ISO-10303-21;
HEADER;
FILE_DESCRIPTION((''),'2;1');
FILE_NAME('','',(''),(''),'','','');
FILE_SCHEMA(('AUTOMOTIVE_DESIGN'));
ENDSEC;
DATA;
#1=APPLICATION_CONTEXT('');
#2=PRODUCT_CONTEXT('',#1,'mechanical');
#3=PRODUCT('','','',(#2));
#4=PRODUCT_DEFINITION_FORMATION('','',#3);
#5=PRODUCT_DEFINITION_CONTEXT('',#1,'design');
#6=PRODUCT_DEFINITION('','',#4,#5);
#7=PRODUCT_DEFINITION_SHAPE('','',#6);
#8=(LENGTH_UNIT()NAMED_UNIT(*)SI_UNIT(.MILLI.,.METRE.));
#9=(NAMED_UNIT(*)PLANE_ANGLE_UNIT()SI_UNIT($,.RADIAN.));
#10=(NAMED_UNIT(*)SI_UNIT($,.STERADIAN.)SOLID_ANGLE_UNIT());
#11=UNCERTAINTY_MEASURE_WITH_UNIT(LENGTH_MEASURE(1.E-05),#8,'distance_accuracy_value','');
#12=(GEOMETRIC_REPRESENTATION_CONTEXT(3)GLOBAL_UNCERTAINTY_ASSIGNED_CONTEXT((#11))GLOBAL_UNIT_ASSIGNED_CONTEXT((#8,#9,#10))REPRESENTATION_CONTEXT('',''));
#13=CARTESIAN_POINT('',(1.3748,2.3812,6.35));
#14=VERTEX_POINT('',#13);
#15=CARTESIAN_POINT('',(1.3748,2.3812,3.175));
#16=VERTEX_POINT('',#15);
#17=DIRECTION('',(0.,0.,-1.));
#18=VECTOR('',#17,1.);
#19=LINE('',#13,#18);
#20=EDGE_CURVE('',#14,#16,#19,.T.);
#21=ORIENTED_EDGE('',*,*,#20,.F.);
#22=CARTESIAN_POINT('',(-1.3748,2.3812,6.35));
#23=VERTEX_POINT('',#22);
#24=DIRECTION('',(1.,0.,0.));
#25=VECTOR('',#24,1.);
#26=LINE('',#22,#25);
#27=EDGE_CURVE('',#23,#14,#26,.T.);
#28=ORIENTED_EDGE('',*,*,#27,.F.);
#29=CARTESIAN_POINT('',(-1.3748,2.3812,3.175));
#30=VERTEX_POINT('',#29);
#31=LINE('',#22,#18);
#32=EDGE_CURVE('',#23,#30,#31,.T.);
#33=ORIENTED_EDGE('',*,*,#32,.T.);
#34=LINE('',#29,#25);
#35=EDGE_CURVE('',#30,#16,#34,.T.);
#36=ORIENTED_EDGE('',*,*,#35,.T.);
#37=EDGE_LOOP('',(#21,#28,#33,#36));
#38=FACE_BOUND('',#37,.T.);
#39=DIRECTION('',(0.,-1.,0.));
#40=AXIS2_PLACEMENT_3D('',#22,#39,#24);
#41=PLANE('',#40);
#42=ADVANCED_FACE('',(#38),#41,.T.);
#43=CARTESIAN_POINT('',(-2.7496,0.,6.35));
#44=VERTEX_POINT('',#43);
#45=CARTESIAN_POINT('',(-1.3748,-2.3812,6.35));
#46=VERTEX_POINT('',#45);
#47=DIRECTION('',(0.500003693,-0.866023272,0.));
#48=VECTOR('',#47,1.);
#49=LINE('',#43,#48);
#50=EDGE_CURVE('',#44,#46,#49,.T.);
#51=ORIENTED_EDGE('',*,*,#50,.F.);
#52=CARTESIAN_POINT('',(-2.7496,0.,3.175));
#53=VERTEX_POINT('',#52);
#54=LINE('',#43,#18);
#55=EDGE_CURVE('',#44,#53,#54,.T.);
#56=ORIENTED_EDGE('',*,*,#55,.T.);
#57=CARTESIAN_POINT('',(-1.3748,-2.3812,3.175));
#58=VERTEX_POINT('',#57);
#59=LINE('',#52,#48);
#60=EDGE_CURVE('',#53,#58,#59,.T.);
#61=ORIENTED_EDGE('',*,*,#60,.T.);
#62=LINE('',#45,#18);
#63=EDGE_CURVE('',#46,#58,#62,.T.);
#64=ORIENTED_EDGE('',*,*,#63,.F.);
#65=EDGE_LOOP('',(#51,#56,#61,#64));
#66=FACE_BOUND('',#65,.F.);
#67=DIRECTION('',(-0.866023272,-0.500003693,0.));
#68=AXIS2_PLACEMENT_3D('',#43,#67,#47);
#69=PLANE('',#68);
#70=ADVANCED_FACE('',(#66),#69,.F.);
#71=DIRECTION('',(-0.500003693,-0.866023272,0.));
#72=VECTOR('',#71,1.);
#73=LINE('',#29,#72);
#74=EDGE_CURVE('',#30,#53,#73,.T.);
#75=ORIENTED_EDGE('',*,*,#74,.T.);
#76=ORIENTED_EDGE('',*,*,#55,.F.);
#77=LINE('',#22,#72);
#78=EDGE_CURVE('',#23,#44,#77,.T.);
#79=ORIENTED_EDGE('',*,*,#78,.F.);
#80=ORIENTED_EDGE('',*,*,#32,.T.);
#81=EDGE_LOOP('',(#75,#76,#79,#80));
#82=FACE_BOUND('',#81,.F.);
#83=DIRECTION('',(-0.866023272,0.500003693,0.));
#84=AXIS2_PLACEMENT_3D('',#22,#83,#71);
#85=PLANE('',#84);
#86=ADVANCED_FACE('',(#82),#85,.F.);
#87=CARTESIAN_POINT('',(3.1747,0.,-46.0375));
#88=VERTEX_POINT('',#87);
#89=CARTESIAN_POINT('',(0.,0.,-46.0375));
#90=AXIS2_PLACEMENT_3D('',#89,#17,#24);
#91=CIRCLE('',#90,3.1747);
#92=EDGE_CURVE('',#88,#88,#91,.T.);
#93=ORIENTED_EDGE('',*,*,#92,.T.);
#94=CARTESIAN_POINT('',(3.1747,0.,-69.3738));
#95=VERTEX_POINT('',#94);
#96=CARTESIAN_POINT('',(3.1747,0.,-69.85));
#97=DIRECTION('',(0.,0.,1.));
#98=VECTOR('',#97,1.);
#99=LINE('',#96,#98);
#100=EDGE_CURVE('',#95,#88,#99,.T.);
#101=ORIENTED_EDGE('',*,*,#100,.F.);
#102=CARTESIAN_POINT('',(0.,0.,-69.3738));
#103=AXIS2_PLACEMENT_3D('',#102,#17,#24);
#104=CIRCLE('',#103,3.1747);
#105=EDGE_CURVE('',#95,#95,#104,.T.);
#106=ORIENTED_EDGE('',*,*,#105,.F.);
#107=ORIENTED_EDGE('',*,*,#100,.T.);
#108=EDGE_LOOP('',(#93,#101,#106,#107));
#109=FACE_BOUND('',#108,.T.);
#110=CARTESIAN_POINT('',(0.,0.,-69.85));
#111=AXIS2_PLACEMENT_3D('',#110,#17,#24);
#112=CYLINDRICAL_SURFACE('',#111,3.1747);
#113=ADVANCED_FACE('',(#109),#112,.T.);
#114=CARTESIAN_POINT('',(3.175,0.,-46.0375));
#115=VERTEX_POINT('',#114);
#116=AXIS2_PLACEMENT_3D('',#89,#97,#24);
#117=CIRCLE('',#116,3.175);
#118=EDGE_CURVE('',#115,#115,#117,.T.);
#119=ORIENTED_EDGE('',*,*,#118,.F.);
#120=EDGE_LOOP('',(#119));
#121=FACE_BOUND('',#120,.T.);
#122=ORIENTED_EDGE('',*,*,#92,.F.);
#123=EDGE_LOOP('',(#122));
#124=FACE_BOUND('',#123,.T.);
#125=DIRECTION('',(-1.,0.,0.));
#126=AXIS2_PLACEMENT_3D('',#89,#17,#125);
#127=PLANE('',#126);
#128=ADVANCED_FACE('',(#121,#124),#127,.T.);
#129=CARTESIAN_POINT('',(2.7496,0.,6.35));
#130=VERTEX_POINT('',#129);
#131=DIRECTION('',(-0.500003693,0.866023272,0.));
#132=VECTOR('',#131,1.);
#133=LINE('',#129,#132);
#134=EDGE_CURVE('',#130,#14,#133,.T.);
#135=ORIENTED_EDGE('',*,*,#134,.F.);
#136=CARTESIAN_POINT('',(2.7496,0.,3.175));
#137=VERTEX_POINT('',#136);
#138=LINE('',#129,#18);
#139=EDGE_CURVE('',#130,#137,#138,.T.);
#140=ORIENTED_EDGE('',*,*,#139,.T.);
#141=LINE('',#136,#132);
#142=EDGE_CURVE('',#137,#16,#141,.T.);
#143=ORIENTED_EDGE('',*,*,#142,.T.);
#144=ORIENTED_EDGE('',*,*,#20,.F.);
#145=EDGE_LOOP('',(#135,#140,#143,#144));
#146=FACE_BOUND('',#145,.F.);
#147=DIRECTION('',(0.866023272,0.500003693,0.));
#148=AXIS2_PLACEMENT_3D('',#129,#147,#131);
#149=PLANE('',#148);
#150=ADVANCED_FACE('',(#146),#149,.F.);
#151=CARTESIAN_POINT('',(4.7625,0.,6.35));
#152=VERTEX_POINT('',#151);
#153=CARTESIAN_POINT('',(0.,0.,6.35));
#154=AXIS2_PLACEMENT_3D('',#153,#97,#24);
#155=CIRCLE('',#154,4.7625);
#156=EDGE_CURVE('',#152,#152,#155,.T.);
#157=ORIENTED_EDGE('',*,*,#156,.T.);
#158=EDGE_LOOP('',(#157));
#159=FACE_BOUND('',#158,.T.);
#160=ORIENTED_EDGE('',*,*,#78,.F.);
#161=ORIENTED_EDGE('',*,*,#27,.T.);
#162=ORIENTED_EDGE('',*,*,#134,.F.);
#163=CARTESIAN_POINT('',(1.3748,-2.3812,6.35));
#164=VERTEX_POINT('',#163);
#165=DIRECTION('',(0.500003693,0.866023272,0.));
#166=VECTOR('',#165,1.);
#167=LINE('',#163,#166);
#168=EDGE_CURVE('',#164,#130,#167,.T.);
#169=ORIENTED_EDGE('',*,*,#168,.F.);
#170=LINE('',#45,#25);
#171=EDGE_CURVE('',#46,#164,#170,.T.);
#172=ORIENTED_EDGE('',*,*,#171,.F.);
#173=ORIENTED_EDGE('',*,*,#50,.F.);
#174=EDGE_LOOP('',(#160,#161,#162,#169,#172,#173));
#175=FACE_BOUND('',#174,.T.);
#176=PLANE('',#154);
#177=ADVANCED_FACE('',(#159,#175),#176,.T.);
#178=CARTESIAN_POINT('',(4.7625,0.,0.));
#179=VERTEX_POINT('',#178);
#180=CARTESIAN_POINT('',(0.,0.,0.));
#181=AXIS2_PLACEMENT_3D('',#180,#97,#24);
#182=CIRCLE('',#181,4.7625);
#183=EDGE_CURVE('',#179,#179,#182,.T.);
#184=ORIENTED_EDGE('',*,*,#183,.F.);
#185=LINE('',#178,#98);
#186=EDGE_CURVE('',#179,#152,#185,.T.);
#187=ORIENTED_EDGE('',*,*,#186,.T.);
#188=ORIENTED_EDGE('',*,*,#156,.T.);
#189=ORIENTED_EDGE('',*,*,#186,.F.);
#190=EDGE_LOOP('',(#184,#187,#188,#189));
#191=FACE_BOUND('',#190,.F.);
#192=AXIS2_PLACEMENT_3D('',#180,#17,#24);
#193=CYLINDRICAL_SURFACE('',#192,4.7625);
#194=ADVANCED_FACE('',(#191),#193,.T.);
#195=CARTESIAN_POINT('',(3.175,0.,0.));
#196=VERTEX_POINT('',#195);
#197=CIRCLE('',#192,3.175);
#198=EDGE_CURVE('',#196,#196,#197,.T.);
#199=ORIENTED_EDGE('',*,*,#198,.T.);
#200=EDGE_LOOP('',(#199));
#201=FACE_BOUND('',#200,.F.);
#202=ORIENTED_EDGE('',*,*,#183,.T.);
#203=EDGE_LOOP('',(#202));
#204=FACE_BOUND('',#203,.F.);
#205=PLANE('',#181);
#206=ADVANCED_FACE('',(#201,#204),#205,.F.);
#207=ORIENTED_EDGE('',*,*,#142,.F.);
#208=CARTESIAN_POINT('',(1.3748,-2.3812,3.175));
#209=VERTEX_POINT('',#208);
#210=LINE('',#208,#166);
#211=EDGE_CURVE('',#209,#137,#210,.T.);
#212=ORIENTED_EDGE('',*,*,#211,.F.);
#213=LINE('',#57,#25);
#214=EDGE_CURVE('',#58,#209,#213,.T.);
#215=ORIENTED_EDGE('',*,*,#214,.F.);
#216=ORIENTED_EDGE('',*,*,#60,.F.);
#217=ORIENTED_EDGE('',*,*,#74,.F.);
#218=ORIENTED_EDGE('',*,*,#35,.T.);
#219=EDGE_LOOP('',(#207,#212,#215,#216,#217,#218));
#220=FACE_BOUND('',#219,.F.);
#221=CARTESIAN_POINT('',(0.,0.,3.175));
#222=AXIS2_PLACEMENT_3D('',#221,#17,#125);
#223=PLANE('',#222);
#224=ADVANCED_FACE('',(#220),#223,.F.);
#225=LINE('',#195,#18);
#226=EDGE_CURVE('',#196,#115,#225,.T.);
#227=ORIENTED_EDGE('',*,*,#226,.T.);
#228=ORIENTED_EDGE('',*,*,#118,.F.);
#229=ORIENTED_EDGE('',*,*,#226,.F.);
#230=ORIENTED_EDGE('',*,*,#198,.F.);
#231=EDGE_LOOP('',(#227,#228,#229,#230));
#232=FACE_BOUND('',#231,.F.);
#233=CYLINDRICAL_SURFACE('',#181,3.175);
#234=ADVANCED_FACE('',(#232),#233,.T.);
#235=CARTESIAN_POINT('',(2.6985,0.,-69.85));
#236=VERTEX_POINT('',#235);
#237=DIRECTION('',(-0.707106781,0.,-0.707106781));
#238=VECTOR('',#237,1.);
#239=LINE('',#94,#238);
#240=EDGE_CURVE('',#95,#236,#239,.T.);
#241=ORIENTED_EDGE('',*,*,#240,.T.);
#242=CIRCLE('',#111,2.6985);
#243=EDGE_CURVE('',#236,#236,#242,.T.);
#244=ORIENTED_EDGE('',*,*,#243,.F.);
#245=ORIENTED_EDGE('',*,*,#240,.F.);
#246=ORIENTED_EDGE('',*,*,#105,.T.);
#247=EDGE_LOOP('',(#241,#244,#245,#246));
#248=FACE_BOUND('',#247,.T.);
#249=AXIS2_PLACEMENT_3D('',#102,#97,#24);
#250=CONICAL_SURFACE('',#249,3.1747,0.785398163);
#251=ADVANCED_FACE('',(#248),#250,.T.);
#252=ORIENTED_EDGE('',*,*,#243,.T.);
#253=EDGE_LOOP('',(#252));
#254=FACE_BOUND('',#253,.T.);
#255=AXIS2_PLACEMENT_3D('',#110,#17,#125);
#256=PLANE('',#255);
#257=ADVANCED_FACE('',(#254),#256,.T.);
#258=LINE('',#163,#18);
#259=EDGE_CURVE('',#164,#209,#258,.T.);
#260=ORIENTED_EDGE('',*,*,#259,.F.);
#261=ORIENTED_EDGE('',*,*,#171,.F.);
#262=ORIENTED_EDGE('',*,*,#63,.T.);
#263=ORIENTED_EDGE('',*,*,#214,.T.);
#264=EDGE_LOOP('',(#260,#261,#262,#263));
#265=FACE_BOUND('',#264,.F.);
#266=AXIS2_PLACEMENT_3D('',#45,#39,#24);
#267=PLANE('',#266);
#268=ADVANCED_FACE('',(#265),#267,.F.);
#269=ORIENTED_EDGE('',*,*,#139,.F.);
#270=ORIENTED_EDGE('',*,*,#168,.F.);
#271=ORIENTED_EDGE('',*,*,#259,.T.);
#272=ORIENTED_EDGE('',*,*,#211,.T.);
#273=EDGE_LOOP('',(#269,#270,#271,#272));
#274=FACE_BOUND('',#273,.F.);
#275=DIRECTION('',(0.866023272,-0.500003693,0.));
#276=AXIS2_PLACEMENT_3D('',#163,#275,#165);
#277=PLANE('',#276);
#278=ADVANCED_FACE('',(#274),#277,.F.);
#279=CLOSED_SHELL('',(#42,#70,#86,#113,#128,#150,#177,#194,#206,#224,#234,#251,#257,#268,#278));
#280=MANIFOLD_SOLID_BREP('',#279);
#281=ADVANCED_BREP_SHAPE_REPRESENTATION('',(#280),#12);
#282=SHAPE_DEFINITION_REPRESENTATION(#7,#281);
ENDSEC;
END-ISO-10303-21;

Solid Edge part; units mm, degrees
sketch "Sketch1" plane through (0, 0, 0) normal (0, 0, 1) x (1, 0, 0)
  circle A0 centre (0, 0) radius 4.7625
  dimension "D1" = 9.525
extrude "Protrusion1" add sketch "Sketch1" along normal blind 6.35
sketch "Sketch2" plane through (0, 0, 0) normal (0, 0, -1) x (1, 0, 0)
  circle A0 centre (0, 0) radius 3.175
extrude "Protrusion2" add sketch "Sketch2" along normal blind 69.85
sketch "Sketch3" plane through (0, 0, -69.85) normal (0, 0, -1) x (1, 0, 0)
  circle A0 centre (0, 0) radius 3.1747
extrude "Cutout1" cut sketch "Sketch3" against normal blind 23.8125 flip side to cut
chamfer "Chamfer_1" distance 0.4762 angle 45 1 edges at (-3.1747, 0, -69.85)
sketch "Sketch4" plane through (0, 0, 6.35) normal (0, 0, 1) x (1, 0, 0)
  line L0 (-1.3748, 2.3812) -> (1.3748, 2.3812)
  line L1 (2.7496, 0) -> (1.3748, 2.3812)
  line L2 (1.3748, -2.3812) -> (2.7496, 0)
  line L3 (-1.3748, -2.3812) -> (1.3748, -2.3812)
  line L4 (-2.7496, 0) -> (-1.3748, -2.3812)
  line L5 (-1.3748, 2.3812) -> (-2.7496, 0)
  dimension "D1" = 4.7625
extrude "Cutout2" cut sketch "Sketch4" against normal blind 3.175
properties part number "117624"
